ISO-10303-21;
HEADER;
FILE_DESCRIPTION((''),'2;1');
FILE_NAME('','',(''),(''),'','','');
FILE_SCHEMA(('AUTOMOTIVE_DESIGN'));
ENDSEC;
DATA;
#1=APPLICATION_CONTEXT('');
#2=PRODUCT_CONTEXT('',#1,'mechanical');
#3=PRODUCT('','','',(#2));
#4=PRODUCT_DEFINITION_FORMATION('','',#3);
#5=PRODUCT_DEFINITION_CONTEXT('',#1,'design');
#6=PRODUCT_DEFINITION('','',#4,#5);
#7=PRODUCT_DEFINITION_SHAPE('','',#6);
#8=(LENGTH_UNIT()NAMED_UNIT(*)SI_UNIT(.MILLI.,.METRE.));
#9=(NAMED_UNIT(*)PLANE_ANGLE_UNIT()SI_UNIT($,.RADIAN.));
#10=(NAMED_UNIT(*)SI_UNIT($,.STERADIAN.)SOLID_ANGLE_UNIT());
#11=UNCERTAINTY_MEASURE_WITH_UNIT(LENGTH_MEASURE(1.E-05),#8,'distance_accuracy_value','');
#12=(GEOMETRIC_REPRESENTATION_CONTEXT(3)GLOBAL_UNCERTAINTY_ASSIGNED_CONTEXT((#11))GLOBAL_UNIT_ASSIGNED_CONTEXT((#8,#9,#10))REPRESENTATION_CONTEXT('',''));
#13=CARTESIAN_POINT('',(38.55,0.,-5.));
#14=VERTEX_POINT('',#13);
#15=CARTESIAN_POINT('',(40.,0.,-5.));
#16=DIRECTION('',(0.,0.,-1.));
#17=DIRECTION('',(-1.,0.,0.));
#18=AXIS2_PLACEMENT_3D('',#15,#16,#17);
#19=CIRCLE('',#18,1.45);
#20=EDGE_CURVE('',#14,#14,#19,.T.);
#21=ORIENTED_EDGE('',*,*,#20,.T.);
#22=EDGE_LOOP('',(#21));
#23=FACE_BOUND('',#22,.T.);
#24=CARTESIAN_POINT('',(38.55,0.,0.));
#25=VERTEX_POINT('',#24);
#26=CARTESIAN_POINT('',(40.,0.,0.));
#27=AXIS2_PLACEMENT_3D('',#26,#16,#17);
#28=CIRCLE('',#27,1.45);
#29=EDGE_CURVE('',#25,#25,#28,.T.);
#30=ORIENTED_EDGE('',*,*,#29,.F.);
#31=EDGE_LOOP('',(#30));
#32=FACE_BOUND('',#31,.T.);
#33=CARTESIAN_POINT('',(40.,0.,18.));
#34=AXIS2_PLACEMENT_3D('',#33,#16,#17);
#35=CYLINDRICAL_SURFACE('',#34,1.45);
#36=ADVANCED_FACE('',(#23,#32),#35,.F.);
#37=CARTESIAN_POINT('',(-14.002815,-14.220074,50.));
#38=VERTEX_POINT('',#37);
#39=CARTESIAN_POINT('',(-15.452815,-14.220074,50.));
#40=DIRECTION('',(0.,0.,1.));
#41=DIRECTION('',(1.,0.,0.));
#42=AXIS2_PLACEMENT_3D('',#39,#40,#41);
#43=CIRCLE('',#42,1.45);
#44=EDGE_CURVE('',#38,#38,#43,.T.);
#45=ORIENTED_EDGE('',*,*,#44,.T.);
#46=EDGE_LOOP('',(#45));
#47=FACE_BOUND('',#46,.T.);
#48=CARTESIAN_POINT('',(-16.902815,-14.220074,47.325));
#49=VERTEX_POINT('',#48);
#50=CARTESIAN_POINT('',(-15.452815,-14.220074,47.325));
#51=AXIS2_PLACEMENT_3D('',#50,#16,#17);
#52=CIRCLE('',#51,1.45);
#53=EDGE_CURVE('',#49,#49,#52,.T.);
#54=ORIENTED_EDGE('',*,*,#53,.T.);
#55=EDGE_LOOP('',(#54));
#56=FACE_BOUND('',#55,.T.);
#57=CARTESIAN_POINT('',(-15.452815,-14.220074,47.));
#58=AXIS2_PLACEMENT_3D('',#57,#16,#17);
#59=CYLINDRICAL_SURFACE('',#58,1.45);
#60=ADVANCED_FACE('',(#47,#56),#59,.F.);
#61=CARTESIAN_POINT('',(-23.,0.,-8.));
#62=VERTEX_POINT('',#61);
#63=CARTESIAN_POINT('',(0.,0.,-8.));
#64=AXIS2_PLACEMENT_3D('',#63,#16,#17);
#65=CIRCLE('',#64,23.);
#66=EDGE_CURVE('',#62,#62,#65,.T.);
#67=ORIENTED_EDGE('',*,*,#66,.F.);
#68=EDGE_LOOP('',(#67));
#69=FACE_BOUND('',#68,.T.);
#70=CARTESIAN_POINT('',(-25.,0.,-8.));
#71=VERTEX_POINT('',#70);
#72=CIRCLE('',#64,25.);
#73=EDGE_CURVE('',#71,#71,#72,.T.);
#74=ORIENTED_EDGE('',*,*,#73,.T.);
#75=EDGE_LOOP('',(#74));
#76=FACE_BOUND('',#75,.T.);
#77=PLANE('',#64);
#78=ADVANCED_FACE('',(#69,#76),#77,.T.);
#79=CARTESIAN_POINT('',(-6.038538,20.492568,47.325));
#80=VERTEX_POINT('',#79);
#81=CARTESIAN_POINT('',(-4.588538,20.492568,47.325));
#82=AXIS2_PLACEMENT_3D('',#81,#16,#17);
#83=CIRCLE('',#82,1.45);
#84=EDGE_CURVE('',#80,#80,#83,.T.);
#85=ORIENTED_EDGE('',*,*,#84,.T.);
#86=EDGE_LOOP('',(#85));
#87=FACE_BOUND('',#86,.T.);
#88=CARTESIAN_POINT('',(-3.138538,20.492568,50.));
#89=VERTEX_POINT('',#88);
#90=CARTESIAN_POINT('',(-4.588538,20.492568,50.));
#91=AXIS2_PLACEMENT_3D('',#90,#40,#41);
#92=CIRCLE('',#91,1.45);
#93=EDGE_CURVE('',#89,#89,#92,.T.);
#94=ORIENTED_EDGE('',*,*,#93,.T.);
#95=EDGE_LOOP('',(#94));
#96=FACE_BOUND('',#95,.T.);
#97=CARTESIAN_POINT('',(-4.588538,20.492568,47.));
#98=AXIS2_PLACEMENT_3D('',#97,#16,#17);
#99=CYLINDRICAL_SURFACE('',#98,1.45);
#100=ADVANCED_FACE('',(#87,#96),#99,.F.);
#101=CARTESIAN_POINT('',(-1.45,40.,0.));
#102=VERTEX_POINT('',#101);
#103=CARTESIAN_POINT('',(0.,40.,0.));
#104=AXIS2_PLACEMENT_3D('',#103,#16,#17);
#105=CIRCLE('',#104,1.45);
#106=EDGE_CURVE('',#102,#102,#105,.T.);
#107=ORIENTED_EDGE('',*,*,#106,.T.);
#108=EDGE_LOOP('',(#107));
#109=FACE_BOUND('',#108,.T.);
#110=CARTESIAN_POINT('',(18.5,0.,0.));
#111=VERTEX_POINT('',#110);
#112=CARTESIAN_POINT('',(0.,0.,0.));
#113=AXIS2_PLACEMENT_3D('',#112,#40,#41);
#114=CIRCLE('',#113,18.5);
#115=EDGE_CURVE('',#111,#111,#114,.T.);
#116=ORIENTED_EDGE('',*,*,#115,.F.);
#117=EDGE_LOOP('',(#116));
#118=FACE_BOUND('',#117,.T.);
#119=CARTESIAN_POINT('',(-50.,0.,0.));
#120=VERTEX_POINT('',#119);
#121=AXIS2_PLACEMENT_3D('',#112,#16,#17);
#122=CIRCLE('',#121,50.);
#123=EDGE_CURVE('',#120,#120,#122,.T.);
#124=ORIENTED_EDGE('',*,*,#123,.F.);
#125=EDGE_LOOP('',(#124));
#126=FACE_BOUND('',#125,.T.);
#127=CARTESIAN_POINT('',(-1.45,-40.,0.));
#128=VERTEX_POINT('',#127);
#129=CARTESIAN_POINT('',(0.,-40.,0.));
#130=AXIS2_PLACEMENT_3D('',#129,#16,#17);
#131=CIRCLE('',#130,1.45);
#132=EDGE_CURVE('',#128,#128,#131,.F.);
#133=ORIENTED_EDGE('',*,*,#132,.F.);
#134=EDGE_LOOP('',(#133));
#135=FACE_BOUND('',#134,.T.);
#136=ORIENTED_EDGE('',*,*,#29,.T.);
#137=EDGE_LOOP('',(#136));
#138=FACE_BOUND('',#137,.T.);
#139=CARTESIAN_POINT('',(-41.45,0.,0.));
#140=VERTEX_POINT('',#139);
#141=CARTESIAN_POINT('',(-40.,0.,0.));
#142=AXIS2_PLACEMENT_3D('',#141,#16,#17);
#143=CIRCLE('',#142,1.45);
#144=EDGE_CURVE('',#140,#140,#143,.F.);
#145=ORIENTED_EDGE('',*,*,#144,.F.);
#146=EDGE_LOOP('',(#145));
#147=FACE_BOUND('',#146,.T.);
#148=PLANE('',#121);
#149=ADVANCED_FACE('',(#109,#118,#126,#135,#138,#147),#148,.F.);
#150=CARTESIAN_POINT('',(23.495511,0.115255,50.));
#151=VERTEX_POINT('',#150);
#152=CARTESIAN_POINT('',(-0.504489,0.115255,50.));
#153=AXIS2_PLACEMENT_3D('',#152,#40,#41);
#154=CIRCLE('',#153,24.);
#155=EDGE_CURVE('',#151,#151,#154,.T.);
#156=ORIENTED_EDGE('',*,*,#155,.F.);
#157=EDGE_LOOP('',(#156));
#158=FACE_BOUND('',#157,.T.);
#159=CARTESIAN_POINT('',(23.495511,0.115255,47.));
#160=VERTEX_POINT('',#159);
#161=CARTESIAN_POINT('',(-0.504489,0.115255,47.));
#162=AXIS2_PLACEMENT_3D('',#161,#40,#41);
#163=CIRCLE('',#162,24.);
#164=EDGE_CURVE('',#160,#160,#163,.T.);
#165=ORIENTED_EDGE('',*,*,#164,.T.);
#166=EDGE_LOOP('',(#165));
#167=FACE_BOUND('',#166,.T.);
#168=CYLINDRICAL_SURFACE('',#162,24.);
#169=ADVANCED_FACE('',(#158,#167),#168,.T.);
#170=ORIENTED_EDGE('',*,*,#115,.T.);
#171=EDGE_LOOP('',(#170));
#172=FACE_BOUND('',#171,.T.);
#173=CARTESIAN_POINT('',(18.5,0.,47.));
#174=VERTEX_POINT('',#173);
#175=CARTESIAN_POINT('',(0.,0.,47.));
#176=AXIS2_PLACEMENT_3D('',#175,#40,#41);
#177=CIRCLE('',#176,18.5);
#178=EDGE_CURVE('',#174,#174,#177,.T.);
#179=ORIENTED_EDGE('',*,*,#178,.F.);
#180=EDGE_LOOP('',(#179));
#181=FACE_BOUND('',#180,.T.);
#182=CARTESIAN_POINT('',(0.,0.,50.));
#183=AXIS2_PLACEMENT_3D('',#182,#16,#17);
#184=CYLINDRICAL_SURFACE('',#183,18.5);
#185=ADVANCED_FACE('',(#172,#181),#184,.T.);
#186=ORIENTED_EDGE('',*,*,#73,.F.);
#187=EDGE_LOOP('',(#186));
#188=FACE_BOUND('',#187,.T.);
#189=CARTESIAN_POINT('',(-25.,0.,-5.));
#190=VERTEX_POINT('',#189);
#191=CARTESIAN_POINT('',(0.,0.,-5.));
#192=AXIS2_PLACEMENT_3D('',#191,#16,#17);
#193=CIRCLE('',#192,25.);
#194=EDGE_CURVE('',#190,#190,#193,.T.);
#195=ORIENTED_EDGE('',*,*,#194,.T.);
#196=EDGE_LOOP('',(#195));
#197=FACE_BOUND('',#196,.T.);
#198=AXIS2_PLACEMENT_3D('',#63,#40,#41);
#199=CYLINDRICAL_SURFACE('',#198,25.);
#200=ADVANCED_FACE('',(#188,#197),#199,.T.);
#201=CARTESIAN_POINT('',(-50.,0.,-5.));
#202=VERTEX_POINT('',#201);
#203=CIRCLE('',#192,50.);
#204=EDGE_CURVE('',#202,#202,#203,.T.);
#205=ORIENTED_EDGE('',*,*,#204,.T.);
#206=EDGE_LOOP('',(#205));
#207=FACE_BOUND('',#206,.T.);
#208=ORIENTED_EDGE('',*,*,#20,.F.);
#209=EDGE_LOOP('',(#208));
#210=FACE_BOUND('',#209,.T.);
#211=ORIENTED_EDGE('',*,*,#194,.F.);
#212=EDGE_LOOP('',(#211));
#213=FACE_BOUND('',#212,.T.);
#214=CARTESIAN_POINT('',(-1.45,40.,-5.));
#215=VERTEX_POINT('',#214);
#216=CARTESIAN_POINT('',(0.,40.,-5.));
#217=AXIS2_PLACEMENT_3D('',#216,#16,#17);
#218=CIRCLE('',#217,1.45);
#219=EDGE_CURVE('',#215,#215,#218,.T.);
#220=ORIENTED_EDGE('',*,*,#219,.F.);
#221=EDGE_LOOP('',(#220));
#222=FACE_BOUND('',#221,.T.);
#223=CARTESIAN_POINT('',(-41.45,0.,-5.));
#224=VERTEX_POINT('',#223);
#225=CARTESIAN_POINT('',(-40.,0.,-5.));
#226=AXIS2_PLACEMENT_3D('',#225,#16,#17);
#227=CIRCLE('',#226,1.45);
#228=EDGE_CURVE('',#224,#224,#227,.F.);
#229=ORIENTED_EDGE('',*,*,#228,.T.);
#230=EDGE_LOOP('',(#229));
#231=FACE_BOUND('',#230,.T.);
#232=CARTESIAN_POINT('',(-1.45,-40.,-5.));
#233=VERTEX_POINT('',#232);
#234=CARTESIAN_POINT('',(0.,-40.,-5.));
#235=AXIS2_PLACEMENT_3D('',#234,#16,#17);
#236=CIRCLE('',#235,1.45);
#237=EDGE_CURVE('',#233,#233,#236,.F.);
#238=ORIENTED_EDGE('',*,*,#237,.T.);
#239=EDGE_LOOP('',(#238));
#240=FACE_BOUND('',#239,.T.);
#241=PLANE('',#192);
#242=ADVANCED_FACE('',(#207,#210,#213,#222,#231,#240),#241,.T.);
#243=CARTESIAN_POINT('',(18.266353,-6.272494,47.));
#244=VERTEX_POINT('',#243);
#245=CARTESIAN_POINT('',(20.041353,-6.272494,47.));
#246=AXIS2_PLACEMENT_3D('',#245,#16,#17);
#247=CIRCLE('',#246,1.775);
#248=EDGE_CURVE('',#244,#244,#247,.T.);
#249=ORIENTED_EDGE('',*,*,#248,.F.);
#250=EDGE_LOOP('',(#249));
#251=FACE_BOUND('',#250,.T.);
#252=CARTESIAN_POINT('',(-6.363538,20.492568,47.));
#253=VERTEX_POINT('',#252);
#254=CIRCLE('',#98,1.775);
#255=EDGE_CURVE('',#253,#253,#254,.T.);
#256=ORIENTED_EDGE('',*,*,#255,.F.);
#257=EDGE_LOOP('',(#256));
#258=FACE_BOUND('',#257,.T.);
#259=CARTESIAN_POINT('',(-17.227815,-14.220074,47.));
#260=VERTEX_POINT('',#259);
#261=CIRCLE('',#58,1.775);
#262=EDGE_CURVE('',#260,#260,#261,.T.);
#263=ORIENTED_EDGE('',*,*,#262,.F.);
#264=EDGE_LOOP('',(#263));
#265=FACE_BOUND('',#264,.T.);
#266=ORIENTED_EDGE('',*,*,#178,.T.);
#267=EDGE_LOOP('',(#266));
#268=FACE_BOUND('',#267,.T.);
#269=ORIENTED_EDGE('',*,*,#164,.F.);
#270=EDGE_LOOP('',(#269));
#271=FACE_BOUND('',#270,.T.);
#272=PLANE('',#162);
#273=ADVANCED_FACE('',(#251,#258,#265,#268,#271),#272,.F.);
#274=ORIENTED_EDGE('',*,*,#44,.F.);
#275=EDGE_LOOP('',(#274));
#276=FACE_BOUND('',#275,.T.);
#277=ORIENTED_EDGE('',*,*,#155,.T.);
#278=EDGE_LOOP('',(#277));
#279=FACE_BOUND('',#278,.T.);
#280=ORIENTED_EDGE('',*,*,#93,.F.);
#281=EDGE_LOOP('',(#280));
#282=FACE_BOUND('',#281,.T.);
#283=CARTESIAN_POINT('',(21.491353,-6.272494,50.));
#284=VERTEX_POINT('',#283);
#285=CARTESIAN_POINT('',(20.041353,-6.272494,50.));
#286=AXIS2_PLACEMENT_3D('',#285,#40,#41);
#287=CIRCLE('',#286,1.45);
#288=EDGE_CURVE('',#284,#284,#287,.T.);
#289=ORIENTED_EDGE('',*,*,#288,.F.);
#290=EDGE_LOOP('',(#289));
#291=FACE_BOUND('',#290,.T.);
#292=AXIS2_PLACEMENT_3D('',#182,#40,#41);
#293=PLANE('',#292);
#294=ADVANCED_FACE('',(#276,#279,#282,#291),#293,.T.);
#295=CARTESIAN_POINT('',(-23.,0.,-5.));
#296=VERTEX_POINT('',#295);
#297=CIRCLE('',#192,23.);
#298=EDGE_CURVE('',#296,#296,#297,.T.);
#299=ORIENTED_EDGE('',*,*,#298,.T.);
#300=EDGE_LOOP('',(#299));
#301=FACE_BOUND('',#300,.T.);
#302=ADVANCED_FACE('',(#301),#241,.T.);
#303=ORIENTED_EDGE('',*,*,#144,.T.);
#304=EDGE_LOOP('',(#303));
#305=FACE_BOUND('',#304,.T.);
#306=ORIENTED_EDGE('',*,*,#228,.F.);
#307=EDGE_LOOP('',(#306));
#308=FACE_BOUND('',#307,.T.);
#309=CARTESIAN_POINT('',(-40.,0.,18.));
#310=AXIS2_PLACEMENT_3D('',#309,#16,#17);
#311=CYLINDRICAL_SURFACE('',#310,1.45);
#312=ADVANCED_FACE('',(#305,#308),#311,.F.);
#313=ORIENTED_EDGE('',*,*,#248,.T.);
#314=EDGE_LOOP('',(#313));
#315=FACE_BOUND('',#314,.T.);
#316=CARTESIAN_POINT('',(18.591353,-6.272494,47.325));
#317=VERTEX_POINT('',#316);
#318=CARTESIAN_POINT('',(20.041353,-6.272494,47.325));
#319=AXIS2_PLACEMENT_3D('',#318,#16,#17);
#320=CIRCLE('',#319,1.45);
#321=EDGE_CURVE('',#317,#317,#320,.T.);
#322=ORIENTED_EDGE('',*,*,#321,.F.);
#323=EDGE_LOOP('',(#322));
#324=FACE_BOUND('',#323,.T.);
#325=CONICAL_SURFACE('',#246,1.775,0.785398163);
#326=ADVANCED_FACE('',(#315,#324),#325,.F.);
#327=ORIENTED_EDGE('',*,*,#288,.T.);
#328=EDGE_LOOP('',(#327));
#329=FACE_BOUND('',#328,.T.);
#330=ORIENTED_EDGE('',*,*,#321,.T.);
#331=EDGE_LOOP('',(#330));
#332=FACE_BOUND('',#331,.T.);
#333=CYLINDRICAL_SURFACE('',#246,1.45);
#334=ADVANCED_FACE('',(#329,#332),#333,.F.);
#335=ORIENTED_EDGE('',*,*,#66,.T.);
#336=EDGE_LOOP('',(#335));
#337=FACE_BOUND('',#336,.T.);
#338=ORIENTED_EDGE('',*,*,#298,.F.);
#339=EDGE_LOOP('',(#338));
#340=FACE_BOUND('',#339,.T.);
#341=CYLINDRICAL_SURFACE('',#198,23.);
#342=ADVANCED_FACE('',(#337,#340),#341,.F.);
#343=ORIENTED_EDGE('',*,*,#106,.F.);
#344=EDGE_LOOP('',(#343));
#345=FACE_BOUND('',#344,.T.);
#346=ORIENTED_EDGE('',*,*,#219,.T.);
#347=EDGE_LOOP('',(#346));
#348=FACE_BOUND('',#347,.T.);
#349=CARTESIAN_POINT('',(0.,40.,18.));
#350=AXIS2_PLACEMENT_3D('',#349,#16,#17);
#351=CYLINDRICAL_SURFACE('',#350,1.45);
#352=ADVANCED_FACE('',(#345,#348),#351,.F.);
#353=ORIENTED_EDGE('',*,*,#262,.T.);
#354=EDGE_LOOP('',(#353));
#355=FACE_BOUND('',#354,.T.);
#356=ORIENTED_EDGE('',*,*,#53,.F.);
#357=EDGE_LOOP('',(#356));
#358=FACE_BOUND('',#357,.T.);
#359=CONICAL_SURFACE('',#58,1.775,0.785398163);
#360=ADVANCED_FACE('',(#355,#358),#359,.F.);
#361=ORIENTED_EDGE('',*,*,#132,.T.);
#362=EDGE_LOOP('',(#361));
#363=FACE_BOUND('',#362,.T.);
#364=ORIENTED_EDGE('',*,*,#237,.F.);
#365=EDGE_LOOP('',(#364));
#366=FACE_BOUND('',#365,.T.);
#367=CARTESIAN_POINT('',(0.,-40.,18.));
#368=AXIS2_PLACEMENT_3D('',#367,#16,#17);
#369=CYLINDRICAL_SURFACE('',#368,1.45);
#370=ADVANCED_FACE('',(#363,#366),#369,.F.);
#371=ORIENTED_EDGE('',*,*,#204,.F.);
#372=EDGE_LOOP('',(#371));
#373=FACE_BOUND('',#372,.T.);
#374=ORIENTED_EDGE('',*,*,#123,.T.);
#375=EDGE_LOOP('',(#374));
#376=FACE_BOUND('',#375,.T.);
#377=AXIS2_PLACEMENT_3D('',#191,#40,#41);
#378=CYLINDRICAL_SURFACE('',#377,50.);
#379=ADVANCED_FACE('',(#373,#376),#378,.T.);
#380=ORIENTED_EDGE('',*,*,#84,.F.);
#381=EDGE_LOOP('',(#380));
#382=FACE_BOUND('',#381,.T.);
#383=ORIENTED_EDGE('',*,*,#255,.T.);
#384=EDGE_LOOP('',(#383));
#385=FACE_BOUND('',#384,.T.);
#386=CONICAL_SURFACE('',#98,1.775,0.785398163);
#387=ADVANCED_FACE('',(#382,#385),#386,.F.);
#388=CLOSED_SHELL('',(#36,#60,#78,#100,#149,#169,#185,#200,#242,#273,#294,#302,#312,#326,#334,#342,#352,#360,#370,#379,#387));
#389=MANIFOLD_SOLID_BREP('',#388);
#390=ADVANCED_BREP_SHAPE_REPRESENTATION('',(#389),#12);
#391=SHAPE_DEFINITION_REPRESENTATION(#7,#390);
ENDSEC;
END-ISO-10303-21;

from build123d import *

# Parameters (mm, degrees)
SKETCH_1_R                     = 18.5
EXTRUDE_1_DEPTH                = 50
SKETCH_2_R                     = 50
EXTRUDE_2_DEPTH                = 5
SKETCH_3_R                     = 25
SKETCH_3_R_2                   = 23
EXTRUDE_3_DEPTH                = 3
SKETCH_4_R                     = 1.45
CUT_EXTRUDE_1_DEPTH            = 23
SKETCH_5_R                     = 24
EXTRUDE_4_DEPTH                = 3
HOLE_WIZARD_M3_5_3_D           = 2.9
HOLE_WIZARD_M3_5_3_DEPTH       = 10
HOLE_WIZARD_M3_5_3_CSINK_D     = 3.55
HOLE_WIZARD_M3_5_3_CSINK_ANGLE = 90
HOLE_WIZARD_M3_5_3_TIP         = 0.871247898


with BuildPart() as part:
    # 스케치1 → 보스-돌출1 (new body)
    with BuildSketch(Plane.XY):
        Circle(SKETCH_1_R)
    extrude(amount=EXTRUDE_1_DEPTH)

    # 스케치2 → 보스-돌출2 (add)
    with BuildSketch(Plane(origin=(0, 0, 0), x_dir=(-1, 0, 0), z_dir=(0, 0, -1))):
        Circle(SKETCH_2_R)
    extrude(amount=EXTRUDE_2_DEPTH)

    # 스케치3 → 보스-돌출3 (add)
    with BuildSketch(Plane(origin=(0, 0, -5), x_dir=(-1, 0, 0), z_dir=(0, 0, -1))):
        Circle(SKETCH_3_R)
        Circle(SKETCH_3_R_2, mode=Mode.SUBTRACT)
    extrude(amount=EXTRUDE_3_DEPTH)

    # 스케치4 → 컷-돌출1 (cut)
    with BuildSketch(Plane(origin=(0, 0, -5), x_dir=(-1, 0, 0), z_dir=(0, 0, -1))):
        with Locations((-40, 0)):
            Circle(SKETCH_4_R)
        with Locations((0, 40)):
            Circle(SKETCH_4_R)
        with Locations((40, 0)):
            Circle(SKETCH_4_R)
        with Locations((0, -40)):
            Circle(SKETCH_4_R)
    extrude(amount=-CUT_EXTRUDE_1_DEPTH, mode=Mode.SUBTRACT)

    # 스케치5 → 보스-돌출4 (add)
    with BuildSketch(Plane.XY.offset(50)):
        with Locations((-0.504488898, 0.115254903)):
            Circle(SKETCH_5_R)
    extrude(amount=-EXTRUDE_4_DEPTH)

    # M3.5 나사 구멍3
    with Locations(Plane(origin=(0, 0, 47), x_dir=(-1, 0, 0), z_dir=(0, 0, -1))):
        with Locations((4.588537545, 20.492567511), (15.452815281, -14.220073836), (-20.041352826, -6.272493675)):
            CounterSinkHole(HOLE_WIZARD_M3_5_3_D / 2, HOLE_WIZARD_M3_5_3_CSINK_D / 2, depth=HOLE_WIZARD_M3_5_3_DEPTH, counter_sink_angle=HOLE_WIZARD_M3_5_3_CSINK_ANGLE)
            with Locations((0, 0, -(HOLE_WIZARD_M3_5_3_DEPTH + HOLE_WIZARD_M3_5_3_TIP / 2))):  # 118° drill point
                Cone(0, HOLE_WIZARD_M3_5_3_D / 2, HOLE_WIZARD_M3_5_3_TIP, mode=Mode.SUBTRACT)


solid = part.part
